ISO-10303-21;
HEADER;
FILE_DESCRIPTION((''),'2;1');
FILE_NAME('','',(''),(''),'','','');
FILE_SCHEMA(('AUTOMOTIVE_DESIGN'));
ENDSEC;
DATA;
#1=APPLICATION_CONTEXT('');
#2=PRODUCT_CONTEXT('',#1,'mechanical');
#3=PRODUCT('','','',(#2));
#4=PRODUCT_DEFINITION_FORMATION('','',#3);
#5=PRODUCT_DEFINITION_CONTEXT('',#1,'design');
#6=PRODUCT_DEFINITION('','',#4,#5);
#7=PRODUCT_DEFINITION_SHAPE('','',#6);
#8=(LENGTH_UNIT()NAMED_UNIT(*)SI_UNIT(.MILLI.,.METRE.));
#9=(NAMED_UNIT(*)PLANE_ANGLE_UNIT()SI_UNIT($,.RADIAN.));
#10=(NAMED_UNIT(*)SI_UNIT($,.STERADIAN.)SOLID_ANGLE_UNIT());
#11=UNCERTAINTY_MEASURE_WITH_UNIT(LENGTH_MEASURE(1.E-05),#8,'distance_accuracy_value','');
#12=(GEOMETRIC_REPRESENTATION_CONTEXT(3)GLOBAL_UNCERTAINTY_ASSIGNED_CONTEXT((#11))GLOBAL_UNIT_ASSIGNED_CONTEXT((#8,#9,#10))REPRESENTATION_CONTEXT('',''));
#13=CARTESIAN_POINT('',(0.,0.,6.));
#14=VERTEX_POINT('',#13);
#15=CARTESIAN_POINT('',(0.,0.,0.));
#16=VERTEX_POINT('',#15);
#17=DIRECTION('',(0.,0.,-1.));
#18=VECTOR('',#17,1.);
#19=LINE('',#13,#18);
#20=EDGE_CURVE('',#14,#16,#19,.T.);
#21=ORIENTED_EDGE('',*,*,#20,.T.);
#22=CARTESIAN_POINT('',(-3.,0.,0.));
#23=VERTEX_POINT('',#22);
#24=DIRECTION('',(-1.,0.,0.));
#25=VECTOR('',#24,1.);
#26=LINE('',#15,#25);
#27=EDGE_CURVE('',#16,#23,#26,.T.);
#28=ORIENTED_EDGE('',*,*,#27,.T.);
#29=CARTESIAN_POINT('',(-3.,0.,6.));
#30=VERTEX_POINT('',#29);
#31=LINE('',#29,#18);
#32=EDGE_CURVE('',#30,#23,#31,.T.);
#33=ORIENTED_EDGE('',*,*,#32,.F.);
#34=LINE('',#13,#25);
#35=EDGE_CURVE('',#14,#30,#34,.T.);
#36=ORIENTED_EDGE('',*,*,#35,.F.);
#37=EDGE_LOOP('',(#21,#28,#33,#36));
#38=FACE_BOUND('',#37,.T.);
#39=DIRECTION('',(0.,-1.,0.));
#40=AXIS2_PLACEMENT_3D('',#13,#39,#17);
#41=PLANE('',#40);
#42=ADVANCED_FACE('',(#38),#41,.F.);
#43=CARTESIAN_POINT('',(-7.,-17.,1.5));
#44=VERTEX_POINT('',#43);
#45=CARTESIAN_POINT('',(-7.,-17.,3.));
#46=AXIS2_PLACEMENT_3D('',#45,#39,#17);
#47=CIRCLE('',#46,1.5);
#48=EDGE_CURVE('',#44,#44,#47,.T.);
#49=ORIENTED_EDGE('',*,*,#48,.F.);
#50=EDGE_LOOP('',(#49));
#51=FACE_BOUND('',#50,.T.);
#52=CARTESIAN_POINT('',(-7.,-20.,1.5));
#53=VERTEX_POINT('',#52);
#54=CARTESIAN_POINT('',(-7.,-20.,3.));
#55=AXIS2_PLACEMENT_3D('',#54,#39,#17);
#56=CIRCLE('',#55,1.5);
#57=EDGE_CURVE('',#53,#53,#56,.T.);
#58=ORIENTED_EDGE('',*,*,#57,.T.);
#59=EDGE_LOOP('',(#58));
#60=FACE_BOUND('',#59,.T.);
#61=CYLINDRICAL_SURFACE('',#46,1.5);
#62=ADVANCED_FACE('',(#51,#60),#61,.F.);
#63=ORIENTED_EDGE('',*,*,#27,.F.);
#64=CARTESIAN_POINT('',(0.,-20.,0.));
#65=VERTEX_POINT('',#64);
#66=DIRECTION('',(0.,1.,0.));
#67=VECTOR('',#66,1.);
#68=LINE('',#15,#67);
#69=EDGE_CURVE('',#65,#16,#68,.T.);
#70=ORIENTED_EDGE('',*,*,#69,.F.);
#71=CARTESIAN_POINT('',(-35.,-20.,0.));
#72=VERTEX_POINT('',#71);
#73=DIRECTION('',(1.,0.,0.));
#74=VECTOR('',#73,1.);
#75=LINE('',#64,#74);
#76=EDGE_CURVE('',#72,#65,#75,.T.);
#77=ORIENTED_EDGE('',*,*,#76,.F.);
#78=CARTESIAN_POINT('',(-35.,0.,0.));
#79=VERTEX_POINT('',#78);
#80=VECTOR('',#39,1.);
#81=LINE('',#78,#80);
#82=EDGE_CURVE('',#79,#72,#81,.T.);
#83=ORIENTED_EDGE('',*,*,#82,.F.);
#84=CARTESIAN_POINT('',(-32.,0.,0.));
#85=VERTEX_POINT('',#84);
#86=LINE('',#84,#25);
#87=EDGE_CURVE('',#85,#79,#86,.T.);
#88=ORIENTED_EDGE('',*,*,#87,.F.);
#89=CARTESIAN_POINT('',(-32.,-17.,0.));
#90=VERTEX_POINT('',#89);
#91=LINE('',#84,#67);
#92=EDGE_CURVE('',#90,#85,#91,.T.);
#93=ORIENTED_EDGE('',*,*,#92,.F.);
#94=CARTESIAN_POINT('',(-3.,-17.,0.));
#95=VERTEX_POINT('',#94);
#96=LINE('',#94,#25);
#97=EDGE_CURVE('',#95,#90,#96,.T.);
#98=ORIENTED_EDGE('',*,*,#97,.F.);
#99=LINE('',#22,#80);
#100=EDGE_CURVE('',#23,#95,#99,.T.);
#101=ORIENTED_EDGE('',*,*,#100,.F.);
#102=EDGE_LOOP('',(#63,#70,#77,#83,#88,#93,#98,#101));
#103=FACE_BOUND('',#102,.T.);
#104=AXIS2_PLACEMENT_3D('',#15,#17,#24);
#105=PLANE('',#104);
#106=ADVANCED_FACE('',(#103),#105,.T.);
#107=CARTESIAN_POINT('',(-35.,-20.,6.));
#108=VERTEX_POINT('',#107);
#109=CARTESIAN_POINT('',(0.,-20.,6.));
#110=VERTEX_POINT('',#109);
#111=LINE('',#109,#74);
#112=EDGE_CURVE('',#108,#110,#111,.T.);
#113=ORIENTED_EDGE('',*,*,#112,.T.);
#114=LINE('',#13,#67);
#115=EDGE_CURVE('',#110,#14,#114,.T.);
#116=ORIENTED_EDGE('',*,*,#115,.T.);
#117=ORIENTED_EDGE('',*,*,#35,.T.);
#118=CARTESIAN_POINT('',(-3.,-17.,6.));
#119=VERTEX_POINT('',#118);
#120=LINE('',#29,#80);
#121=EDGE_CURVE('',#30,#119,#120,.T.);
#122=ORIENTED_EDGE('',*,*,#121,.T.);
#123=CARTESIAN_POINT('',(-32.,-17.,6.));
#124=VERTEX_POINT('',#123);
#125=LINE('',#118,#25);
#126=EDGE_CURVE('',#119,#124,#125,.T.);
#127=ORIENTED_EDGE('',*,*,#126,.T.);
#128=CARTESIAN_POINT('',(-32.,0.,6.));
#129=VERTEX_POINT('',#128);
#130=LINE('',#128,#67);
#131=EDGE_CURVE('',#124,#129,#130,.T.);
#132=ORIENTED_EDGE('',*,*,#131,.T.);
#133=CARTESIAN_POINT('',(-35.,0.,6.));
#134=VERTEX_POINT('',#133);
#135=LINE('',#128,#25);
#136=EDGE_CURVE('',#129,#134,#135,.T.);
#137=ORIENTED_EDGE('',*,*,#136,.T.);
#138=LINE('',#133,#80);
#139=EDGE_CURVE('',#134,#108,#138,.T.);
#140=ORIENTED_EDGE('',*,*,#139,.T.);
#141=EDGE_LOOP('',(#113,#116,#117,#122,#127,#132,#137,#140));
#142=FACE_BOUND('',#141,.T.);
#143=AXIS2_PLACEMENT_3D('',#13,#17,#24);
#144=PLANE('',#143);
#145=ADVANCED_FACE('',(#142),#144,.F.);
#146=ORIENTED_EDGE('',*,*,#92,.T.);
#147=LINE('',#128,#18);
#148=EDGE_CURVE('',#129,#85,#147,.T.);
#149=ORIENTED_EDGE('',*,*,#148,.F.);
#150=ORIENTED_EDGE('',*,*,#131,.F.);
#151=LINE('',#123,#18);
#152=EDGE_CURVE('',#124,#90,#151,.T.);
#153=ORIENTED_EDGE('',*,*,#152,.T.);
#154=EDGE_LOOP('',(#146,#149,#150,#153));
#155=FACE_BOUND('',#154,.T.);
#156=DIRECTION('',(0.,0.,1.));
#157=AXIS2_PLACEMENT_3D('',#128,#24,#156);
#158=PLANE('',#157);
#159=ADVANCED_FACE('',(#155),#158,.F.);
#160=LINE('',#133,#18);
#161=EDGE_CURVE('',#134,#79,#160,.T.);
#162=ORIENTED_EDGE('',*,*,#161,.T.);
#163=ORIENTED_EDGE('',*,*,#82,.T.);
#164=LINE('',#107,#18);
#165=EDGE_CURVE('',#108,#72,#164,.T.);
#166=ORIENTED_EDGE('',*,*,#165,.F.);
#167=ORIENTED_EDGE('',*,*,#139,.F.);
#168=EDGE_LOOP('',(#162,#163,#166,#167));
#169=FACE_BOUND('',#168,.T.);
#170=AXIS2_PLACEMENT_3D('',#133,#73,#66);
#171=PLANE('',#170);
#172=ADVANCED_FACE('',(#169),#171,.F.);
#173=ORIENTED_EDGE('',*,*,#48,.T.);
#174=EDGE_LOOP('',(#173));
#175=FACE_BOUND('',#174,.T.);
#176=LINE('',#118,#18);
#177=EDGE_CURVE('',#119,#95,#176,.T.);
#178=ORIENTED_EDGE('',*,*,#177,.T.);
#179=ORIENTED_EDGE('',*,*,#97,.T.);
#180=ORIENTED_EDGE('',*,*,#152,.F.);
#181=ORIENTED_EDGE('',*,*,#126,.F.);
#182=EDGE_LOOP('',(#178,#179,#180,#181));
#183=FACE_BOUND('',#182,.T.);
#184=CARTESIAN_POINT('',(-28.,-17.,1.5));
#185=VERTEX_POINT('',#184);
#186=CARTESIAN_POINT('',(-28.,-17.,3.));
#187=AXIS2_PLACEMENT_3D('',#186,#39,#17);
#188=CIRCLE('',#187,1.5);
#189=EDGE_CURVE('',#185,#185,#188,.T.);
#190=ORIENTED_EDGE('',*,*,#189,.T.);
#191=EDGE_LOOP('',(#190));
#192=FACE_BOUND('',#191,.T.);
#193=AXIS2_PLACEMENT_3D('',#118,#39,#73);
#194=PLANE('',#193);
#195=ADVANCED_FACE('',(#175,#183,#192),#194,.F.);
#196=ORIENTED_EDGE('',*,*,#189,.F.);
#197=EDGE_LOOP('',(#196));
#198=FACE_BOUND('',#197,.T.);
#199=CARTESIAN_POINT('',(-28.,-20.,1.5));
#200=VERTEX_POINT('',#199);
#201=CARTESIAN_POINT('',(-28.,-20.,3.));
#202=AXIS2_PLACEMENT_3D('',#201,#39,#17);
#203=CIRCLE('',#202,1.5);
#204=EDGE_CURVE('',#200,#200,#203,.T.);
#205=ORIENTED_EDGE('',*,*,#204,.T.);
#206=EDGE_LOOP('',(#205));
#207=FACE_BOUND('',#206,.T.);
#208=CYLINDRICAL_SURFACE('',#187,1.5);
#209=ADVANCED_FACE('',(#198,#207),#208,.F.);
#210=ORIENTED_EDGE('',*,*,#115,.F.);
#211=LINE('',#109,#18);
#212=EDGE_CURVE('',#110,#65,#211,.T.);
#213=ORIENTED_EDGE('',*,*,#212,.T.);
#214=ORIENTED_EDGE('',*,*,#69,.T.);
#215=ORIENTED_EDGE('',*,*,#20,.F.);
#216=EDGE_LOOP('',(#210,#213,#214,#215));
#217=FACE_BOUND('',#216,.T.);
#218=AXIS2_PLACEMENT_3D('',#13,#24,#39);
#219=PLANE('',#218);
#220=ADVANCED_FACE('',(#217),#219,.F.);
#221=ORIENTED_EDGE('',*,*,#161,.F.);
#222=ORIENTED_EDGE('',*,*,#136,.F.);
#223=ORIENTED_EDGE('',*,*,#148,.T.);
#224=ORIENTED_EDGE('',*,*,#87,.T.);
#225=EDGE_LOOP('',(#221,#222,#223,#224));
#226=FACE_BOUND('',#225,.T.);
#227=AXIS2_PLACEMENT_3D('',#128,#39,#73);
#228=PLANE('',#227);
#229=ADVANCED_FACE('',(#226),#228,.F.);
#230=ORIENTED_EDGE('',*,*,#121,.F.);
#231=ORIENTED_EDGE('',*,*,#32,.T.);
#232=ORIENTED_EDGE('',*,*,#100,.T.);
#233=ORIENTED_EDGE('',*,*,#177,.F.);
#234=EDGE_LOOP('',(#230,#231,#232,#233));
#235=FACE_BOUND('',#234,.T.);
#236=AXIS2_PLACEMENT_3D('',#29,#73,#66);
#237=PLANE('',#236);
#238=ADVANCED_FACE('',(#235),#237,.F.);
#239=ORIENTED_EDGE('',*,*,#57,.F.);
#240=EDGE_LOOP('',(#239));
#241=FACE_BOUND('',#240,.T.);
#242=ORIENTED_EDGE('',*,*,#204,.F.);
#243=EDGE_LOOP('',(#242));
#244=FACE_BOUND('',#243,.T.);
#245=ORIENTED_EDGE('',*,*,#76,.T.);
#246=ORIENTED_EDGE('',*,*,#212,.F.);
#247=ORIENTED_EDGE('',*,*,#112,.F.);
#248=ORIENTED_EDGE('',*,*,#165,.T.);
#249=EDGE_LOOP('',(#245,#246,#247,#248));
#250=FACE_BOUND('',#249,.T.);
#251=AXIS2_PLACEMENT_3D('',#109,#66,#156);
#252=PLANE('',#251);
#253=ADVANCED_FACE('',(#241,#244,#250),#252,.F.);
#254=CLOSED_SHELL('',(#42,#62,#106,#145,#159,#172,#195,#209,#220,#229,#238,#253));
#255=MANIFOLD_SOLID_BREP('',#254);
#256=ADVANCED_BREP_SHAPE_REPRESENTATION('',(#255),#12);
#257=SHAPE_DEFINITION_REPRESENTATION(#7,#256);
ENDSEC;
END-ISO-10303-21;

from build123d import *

# Parameters (mm, degrees)
BOSS_EXTRUDE1_DEPTH = 6
SKETCH2_R           = 1.5
CUT_EXTRUDE1_DEPTH  = 3


with BuildPart() as part:
    # Sketch1 → Boss-Extrude1 (new body)
    with BuildSketch(Plane.XY):
        Polygon((-32, 0), (-35, 0), (-35, -20), (0, -20), (0, 0), (-3, 0), (-3, -17), (-32, -17), align=None)
    extrude(amount=BOSS_EXTRUDE1_DEPTH)

    # Sketch2 → Cut-Extrude1 (cut)
    with BuildSketch(Plane.XZ.offset(20)):
        with Locations((-28, 3)):
            Circle(SKETCH2_R)
        with Locations((-7, 3)):
            Circle(SKETCH2_R)
    extrude(amount=-CUT_EXTRUDE1_DEPTH, mode=Mode.SUBTRACT)


solid = part.part
